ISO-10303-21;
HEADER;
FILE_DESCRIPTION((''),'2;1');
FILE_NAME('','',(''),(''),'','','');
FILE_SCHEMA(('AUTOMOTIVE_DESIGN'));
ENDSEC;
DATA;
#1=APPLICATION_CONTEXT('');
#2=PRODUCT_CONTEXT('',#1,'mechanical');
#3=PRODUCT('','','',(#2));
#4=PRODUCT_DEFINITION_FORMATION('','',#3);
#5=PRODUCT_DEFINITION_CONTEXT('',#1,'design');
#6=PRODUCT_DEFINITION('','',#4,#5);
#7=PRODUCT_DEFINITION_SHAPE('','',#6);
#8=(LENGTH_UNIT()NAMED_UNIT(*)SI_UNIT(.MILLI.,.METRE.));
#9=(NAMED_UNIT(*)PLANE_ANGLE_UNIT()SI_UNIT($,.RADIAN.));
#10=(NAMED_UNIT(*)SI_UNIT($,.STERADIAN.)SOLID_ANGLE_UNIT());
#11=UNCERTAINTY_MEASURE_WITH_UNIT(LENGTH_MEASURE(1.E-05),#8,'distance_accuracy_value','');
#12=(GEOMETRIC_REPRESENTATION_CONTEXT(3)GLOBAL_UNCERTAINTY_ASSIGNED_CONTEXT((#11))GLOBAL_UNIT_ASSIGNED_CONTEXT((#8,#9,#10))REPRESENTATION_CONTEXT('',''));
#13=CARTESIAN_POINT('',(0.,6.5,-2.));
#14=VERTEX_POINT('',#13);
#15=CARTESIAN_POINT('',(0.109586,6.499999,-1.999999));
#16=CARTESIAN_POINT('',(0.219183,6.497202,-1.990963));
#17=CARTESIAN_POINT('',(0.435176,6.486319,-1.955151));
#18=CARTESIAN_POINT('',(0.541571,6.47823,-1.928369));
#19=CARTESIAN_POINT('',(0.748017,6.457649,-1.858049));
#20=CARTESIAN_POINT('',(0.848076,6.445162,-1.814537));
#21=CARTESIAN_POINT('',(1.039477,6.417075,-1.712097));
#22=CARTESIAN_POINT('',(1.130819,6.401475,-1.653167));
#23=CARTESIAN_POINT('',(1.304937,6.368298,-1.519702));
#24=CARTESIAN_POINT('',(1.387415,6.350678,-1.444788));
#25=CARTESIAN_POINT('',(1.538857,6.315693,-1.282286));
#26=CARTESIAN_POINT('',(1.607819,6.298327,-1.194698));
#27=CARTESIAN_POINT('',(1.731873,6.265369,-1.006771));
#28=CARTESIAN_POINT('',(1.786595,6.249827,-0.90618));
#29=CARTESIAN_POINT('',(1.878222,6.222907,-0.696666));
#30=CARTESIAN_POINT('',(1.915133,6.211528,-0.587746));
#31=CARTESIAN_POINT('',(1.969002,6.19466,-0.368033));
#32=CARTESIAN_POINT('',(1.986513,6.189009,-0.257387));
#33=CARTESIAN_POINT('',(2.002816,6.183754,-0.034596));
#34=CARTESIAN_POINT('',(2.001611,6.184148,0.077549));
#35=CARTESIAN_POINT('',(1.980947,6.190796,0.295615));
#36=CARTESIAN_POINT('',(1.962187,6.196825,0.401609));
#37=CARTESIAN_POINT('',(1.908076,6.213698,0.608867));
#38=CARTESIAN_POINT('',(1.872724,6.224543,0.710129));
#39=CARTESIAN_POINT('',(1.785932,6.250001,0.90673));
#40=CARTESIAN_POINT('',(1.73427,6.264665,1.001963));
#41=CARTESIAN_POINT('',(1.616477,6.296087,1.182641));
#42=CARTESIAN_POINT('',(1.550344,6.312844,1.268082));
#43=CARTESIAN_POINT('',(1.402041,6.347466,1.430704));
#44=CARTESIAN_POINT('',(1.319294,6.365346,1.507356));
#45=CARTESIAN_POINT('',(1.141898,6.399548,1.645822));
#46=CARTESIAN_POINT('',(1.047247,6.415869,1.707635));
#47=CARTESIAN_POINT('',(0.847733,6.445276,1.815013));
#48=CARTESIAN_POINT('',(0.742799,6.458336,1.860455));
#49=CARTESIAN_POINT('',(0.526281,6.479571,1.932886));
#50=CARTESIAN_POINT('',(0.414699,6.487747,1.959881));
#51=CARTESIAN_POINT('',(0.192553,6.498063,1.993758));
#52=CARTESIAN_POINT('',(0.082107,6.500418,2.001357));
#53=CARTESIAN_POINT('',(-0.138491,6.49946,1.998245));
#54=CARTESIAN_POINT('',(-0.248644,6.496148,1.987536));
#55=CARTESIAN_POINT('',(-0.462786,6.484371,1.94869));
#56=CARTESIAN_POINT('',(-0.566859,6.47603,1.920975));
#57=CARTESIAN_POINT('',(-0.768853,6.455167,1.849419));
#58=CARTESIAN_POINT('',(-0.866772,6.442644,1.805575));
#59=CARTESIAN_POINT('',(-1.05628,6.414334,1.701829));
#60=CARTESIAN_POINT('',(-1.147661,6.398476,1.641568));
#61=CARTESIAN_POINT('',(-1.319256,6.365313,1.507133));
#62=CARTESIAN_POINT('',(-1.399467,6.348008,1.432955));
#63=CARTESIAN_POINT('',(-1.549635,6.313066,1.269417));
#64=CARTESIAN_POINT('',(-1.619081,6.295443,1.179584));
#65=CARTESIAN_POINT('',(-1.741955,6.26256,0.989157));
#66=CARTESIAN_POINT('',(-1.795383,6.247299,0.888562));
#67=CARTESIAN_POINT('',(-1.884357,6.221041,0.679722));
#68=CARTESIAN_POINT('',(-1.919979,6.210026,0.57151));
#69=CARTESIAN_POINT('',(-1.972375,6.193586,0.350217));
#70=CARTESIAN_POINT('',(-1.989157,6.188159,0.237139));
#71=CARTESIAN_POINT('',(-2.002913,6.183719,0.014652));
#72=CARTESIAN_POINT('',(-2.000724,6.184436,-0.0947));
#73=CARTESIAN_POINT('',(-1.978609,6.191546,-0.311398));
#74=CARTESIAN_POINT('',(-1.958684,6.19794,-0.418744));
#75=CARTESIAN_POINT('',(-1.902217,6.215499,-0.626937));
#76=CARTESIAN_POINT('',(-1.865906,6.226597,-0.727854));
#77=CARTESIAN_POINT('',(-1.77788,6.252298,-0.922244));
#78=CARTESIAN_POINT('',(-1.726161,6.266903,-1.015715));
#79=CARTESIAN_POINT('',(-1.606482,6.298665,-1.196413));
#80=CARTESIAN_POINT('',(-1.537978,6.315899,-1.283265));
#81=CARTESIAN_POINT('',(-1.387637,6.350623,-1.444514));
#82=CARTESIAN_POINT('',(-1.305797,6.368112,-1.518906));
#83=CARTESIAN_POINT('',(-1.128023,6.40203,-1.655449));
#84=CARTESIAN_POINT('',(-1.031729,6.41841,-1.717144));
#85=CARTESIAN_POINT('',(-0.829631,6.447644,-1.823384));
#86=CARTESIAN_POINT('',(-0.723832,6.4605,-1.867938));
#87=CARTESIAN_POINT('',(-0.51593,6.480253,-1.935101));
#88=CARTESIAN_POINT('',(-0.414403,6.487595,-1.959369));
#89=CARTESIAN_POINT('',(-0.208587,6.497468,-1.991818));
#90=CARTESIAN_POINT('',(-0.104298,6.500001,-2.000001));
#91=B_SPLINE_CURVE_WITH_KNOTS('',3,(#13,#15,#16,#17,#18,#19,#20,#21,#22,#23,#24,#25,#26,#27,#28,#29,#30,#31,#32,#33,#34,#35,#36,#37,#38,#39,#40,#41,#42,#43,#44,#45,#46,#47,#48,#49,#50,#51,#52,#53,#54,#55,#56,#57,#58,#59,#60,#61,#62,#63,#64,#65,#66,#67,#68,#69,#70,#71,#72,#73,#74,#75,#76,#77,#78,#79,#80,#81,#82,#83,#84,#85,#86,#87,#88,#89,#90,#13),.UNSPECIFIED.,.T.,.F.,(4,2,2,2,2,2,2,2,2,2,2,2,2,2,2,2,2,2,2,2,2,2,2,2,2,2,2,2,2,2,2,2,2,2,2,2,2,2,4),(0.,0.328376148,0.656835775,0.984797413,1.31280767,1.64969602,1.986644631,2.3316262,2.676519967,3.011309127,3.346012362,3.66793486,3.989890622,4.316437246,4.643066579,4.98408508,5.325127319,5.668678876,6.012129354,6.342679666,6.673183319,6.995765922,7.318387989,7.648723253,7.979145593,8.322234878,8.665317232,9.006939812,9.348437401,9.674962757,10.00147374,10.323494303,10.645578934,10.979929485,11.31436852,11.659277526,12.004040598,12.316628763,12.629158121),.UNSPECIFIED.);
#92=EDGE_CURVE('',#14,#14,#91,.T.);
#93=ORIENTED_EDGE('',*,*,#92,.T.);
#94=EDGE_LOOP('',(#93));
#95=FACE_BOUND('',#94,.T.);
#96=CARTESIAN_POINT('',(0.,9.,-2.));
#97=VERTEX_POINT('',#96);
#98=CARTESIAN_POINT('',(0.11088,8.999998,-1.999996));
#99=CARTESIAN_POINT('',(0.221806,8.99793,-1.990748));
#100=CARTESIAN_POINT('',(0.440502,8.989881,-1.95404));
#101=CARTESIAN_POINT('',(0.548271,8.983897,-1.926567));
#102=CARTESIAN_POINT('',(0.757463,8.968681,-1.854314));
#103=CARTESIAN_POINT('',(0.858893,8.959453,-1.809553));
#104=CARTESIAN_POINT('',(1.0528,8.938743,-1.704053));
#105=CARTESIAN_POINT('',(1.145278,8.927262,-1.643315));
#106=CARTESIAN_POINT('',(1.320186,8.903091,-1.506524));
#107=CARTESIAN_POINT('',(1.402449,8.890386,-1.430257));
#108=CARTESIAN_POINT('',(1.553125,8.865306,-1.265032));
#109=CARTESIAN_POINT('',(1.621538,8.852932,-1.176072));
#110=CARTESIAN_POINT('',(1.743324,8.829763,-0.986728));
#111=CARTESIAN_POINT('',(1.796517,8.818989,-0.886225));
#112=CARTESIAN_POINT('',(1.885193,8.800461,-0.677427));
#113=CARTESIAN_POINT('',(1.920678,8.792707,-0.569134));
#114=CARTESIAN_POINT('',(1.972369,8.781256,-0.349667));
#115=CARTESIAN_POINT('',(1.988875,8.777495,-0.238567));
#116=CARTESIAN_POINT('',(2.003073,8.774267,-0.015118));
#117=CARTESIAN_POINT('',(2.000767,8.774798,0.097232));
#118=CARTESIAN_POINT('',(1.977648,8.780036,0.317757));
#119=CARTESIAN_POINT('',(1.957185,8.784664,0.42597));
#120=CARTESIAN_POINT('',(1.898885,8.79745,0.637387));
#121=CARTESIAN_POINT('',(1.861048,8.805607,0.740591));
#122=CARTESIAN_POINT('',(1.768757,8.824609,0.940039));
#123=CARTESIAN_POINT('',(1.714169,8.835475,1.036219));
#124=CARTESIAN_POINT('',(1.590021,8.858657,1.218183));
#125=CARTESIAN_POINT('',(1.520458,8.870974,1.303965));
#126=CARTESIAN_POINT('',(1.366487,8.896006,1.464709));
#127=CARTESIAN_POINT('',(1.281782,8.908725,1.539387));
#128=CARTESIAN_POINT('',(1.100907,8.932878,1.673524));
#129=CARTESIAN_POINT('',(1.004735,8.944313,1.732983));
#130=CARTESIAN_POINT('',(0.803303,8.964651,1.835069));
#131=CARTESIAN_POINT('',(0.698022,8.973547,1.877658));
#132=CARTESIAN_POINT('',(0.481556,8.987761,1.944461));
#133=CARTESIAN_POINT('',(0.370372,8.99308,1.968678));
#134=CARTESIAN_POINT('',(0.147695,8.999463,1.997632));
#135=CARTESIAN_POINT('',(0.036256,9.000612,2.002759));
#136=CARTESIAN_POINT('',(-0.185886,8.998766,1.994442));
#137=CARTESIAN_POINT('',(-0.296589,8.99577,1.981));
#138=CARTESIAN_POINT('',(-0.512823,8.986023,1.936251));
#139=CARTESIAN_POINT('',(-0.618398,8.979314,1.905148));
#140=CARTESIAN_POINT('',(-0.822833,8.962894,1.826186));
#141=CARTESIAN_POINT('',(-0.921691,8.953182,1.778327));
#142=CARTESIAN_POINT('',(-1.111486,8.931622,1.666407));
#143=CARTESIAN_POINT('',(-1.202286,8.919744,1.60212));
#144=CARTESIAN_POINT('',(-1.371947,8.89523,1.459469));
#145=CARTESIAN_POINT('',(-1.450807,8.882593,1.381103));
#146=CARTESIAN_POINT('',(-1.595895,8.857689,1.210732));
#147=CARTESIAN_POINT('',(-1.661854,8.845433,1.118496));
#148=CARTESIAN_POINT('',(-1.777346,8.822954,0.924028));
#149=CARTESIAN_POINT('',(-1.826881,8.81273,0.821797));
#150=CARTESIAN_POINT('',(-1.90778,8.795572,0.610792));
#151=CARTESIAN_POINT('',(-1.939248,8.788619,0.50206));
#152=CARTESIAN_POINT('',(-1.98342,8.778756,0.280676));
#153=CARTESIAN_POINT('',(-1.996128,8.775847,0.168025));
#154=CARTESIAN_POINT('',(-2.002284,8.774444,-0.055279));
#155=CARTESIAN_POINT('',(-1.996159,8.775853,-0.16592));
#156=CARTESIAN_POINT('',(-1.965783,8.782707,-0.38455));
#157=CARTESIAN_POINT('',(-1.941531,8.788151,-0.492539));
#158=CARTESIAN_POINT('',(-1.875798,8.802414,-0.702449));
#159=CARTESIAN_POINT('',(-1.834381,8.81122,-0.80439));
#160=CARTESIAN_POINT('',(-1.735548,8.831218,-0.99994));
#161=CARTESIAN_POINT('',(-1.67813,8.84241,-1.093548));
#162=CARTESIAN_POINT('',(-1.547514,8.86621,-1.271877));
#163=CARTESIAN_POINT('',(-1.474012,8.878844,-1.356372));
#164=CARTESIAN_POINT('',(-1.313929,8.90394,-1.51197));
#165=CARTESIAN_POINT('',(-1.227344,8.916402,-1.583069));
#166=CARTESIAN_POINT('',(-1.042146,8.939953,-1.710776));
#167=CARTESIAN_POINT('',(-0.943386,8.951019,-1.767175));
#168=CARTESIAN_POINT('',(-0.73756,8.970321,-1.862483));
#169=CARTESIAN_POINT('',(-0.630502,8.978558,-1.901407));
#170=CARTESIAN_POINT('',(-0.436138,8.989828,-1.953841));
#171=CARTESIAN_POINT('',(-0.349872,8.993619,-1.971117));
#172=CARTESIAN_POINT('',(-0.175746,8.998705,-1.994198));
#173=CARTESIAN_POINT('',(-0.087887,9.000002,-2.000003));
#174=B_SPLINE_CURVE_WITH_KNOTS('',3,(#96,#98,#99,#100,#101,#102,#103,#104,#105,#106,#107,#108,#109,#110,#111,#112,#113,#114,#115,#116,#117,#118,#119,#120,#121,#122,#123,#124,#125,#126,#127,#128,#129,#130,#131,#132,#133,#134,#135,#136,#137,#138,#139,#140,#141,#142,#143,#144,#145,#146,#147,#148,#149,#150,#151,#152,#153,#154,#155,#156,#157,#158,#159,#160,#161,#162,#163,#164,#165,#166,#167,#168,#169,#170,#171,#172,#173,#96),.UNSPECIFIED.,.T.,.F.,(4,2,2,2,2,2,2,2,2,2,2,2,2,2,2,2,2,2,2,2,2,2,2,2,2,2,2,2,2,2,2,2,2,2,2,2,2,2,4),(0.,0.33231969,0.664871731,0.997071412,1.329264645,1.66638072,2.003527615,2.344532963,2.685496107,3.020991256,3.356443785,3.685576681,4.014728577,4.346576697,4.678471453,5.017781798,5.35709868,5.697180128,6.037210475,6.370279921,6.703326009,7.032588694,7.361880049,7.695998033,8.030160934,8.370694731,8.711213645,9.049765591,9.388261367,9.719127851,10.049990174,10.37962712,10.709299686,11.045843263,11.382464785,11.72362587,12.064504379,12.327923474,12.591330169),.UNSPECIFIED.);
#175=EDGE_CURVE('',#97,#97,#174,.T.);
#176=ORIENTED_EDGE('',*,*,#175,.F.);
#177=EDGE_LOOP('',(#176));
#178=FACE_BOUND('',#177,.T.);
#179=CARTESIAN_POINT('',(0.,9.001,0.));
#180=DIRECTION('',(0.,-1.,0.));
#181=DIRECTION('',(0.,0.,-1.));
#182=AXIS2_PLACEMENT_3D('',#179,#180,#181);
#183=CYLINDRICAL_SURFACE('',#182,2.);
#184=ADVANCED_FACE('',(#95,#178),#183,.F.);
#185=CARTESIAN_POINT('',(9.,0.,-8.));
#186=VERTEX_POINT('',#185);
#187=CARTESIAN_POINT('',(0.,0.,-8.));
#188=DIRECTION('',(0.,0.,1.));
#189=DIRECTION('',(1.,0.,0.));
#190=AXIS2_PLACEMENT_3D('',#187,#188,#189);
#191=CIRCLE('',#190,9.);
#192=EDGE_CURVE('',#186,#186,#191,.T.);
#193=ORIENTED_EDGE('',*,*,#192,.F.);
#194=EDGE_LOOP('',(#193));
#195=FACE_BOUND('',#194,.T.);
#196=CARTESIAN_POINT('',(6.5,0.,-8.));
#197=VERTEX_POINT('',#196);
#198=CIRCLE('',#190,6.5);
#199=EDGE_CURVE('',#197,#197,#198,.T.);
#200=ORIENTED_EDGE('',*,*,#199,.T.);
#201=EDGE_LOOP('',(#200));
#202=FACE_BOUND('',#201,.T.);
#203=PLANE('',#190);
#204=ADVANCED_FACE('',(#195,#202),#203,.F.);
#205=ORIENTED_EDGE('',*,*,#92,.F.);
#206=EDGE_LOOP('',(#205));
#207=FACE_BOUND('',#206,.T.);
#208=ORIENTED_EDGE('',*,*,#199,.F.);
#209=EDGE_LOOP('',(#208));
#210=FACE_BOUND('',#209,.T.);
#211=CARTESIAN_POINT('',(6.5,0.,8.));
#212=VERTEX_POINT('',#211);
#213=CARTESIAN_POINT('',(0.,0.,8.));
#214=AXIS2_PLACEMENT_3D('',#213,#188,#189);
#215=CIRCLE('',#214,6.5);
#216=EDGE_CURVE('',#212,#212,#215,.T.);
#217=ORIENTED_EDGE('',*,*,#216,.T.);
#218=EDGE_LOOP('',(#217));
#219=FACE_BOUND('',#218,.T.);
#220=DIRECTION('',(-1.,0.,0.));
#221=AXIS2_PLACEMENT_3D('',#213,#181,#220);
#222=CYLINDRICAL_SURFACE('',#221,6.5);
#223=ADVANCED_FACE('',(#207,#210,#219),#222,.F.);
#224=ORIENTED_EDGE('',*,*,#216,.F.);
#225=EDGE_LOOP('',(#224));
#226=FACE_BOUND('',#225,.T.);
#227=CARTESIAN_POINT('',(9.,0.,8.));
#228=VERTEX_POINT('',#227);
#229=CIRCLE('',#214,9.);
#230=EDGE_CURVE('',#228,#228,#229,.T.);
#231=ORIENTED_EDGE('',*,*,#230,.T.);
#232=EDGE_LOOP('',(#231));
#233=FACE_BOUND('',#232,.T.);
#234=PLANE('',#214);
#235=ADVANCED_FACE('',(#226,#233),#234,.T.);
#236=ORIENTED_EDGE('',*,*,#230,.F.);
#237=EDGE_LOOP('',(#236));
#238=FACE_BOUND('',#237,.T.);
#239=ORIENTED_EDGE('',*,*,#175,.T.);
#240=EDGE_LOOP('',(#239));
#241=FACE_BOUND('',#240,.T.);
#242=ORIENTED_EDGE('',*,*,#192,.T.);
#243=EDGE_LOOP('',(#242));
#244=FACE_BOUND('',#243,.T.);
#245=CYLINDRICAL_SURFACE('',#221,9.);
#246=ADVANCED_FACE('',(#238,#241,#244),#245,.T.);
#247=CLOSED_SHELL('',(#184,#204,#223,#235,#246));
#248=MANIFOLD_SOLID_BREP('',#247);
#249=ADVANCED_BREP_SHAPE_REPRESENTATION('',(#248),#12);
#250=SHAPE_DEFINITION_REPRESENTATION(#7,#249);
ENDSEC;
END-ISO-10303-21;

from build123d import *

# Parameters (mm, degrees)
SKETCH1_R               = 9
SKETCH1_R_2             = 6.5
BOSS_EXTRUDE1_DEPTH     = 8
CUT_EXTRUDE1_REACH      = 17.033
CUT_EXTRUDE1_END_RADIUS = 9
SKETCH2_R               = 2


with BuildPart() as part:
    # Sketch1 → Boss-Extrude1 (new, symmetric)
    with BuildSketch(Plane.XY):
        Circle(SKETCH1_R)
        Circle(SKETCH1_R_2, mode=Mode.SUBTRACT)
    extrude(amount=BOSS_EXTRUDE1_DEPTH, both=True)

    # Cut-Extrude1: up to this cylinder (the profile starts inside it)
    cut_extrude1_end = Plane(origin=(0, 0, 0), z_dir=(0, 0, -1)) * Cylinder(CUT_EXTRUDE1_END_RADIUS, 53.066, mode=Mode.PRIVATE)
    # Sketch2 → Cut-Extrude1 (cut, up to the surface)
    with BuildSketch(Plane(origin=(0, 0, 0), x_dir=(1, 0, 0), z_dir=(0, 1, 0)), mode=Mode.PRIVATE) as cut_extrude1_sk1:
        with Locations(Location((0, 0, 0), (0, 0, 90))):
            Circle(SKETCH2_R)
    cut_extrude1_tool1 = extrude(cut_extrude1_sk1.sketch, amount=CUT_EXTRUDE1_REACH, mode=Mode.PRIVATE) & cut_extrude1_end
    add(cut_extrude1_tool1.solids().sort_by_distance((0, 0, 0))[0], mode=Mode.SUBTRACT)


solid = part.part
